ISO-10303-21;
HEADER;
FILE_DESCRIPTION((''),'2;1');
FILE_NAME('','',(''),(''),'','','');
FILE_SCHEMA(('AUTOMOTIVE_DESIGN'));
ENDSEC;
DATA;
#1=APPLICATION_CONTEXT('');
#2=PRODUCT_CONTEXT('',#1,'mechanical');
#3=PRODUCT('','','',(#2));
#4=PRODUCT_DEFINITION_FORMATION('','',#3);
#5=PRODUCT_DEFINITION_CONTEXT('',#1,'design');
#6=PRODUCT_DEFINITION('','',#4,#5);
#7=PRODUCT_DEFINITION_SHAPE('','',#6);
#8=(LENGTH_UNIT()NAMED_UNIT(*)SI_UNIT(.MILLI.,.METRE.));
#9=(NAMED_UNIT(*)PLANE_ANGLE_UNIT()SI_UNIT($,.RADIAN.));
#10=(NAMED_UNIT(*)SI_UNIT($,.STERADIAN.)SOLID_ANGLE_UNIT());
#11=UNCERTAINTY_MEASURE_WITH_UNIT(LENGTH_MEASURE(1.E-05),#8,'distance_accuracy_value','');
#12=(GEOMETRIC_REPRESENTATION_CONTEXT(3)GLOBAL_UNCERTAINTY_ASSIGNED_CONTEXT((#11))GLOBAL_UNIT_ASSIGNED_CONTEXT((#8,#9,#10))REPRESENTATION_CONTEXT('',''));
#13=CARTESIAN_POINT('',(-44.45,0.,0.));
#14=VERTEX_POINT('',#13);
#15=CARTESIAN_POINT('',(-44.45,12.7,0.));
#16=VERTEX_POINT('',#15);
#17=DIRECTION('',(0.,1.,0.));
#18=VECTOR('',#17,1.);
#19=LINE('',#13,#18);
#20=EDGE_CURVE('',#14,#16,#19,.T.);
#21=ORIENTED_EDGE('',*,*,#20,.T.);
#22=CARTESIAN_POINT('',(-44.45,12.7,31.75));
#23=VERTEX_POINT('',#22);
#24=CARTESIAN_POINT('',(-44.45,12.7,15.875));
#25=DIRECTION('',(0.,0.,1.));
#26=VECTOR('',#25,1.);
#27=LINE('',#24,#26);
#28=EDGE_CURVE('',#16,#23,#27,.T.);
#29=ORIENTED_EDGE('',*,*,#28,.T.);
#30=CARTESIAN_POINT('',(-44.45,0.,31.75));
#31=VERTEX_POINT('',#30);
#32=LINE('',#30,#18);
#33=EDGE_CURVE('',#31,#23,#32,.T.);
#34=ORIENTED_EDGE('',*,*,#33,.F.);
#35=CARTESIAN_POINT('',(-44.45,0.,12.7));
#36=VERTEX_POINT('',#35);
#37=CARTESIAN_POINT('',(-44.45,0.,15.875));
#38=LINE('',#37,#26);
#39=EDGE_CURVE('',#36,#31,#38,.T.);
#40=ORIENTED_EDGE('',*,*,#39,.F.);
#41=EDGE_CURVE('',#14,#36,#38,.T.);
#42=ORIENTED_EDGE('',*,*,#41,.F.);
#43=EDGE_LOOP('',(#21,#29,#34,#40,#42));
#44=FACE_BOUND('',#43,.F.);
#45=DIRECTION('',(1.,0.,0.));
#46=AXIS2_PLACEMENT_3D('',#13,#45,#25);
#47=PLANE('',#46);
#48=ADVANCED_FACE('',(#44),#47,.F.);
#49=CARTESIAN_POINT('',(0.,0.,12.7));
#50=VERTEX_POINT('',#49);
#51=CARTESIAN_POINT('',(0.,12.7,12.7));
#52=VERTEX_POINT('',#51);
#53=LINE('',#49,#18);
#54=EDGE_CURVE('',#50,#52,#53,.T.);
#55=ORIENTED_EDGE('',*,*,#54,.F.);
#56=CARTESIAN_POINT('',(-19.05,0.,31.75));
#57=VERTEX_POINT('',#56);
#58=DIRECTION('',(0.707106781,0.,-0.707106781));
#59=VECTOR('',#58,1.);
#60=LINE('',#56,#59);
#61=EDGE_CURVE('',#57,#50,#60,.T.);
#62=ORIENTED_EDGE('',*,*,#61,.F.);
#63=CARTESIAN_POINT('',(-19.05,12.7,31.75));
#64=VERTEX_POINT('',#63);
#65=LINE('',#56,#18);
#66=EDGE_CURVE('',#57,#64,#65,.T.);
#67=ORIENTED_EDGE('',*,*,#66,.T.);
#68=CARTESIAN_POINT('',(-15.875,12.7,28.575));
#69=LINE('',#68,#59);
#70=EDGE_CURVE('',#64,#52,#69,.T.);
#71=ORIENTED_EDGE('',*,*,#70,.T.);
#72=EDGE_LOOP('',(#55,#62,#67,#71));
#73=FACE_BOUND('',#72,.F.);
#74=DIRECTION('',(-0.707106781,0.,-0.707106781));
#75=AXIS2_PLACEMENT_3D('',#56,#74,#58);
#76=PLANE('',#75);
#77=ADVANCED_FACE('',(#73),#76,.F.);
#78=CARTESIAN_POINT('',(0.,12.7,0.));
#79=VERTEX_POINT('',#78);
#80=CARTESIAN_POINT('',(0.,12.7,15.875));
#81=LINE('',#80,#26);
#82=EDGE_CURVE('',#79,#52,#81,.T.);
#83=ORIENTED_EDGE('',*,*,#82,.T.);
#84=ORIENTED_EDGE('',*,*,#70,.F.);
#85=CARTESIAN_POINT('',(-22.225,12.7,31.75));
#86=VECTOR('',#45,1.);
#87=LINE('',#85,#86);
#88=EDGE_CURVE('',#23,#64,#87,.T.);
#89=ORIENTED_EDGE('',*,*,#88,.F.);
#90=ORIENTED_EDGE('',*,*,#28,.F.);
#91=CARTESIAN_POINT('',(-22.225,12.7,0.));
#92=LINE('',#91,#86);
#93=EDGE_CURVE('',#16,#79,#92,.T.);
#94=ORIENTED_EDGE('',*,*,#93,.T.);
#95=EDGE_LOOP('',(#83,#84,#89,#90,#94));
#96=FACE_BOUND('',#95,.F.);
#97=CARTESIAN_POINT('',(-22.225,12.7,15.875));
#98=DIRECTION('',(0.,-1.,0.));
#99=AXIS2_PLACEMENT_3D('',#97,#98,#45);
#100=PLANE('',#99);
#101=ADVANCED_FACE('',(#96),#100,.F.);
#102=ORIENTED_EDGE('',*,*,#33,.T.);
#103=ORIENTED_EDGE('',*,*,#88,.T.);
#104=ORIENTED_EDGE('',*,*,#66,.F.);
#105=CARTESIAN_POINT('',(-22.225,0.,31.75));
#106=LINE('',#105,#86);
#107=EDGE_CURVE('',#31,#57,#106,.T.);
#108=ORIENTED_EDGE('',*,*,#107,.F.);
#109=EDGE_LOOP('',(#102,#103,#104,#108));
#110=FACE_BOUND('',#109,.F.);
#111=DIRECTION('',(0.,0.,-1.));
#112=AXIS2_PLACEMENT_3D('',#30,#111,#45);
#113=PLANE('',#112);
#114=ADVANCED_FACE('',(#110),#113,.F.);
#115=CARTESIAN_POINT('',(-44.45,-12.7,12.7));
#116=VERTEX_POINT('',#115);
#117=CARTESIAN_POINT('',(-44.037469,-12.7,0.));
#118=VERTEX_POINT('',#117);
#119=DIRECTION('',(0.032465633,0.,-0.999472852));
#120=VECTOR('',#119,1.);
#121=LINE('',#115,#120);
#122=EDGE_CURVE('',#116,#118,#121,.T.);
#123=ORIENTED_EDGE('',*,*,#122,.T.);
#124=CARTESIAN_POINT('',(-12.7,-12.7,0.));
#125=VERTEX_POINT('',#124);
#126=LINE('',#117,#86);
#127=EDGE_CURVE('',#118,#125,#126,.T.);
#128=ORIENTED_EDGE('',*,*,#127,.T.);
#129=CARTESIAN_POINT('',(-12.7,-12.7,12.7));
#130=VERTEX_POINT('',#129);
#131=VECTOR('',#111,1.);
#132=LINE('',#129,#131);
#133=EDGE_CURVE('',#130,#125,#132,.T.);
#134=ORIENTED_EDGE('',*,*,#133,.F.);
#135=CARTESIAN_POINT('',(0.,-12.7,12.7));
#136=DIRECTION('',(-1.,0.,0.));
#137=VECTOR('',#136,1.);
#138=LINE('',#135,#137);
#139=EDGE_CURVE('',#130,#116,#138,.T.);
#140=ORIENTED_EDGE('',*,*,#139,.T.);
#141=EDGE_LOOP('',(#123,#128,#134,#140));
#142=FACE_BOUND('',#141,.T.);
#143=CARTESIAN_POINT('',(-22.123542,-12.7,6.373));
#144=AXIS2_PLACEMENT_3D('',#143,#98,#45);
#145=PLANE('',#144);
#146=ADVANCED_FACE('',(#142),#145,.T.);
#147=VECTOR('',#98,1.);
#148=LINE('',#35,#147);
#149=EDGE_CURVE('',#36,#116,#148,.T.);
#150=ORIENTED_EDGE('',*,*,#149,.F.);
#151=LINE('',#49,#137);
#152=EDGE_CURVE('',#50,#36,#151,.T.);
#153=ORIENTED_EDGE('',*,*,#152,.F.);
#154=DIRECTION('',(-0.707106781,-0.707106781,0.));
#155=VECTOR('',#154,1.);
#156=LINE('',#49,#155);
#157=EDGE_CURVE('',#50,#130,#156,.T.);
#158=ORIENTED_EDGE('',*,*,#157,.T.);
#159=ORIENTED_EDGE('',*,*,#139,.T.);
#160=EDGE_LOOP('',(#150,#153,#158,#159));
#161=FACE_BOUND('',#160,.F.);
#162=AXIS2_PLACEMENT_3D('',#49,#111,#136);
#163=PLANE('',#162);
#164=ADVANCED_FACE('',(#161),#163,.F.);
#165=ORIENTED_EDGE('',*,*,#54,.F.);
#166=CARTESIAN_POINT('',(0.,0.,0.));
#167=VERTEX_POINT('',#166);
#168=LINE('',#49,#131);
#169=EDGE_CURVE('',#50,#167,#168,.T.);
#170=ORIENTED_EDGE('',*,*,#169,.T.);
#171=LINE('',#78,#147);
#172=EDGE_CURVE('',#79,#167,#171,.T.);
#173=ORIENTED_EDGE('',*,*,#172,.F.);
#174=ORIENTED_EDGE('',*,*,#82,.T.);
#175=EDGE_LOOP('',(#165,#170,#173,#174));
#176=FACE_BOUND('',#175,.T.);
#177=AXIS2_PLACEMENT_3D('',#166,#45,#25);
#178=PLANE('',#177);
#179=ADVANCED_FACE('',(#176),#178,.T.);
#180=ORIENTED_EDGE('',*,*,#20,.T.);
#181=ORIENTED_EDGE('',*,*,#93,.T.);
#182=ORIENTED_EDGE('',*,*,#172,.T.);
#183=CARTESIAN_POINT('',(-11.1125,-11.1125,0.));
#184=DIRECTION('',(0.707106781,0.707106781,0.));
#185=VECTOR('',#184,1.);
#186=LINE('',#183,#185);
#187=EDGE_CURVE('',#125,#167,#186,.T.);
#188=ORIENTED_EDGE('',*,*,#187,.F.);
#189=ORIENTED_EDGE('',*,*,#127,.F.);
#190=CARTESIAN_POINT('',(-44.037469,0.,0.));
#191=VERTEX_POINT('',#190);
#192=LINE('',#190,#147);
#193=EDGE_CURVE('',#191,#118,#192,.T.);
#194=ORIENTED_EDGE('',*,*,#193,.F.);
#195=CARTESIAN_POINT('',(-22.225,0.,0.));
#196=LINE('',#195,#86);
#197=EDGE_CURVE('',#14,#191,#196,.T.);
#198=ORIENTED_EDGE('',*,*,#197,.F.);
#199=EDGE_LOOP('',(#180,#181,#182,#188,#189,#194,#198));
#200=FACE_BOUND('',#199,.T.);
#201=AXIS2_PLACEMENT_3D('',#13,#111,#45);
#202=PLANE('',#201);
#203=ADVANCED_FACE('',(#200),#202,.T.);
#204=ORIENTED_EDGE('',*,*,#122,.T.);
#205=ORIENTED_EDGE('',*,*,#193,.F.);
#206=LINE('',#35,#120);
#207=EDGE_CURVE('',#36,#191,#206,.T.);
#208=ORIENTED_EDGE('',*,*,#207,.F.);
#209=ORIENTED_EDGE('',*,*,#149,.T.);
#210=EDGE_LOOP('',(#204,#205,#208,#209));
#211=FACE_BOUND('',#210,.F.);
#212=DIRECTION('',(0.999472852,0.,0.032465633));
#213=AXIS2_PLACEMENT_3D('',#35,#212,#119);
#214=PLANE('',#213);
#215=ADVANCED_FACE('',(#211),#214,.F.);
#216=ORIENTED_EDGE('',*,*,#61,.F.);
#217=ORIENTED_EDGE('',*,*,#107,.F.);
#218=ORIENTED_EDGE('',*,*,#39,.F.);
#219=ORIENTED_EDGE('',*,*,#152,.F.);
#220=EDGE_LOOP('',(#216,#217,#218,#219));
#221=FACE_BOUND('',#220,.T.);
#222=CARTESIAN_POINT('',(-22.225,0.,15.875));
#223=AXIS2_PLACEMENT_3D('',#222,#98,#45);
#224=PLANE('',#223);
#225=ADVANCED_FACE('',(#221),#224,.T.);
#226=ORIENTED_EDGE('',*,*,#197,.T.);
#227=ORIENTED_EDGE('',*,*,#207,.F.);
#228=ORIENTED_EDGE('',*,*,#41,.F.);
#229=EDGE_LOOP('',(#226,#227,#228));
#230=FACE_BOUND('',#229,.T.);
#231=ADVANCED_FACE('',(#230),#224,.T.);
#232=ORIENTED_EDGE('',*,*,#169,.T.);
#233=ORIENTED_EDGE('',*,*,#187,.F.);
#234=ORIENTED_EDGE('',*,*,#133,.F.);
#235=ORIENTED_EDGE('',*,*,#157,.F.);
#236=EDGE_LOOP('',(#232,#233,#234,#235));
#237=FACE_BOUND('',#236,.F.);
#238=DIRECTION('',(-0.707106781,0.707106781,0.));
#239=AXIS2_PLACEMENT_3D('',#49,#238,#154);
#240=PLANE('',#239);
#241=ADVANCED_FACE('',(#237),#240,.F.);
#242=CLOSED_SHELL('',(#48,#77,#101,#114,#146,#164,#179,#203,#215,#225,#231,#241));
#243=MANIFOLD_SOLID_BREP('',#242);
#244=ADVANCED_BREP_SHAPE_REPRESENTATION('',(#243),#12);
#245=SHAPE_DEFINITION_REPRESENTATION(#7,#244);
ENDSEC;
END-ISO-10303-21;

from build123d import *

# Parameters (mm, degrees)
F2_DEPTH = 12.7
F0_W     = 44.45
F0_H     = 31.75
F3_DEPTH = 12.7
F5_DEPTH = 25.4
F7_DEPTH = 25.4


with BuildPart() as f2:
    # F1 (on face) → F2 (new body)
    with BuildSketch(Plane.XZ):
        Polygon((0, 12.7), (-44.45, 12.7), (-44.037469, 0), (0, 0), align=None)
    extrude(amount=F2_DEPTH)

    # F0 (on Front) → F3 (join)
    with BuildSketch(Plane.XZ):
        with Locations((-22.225, 15.875)):
            Rectangle(F0_W, F0_H)
    extrude(amount=-F3_DEPTH)

    # F4 (on face) → F5 (cut)
    with BuildSketch(Plane.XZ):
        Polygon((0, 31.75), (-19.05, 31.75), (0, 12.7), align=None)
    extrude(amount=-F5_DEPTH, mode=Mode.SUBTRACT)

    # F6 (on face) → F7 (cut)
    with BuildSketch(Plane.XY.offset(12.7)):
        Polygon((0, 0), (-12.7, -12.7), (0, -12.7), align=None)
    extrude(amount=-F7_DEPTH, mode=Mode.SUBTRACT)


solid = f2.part
